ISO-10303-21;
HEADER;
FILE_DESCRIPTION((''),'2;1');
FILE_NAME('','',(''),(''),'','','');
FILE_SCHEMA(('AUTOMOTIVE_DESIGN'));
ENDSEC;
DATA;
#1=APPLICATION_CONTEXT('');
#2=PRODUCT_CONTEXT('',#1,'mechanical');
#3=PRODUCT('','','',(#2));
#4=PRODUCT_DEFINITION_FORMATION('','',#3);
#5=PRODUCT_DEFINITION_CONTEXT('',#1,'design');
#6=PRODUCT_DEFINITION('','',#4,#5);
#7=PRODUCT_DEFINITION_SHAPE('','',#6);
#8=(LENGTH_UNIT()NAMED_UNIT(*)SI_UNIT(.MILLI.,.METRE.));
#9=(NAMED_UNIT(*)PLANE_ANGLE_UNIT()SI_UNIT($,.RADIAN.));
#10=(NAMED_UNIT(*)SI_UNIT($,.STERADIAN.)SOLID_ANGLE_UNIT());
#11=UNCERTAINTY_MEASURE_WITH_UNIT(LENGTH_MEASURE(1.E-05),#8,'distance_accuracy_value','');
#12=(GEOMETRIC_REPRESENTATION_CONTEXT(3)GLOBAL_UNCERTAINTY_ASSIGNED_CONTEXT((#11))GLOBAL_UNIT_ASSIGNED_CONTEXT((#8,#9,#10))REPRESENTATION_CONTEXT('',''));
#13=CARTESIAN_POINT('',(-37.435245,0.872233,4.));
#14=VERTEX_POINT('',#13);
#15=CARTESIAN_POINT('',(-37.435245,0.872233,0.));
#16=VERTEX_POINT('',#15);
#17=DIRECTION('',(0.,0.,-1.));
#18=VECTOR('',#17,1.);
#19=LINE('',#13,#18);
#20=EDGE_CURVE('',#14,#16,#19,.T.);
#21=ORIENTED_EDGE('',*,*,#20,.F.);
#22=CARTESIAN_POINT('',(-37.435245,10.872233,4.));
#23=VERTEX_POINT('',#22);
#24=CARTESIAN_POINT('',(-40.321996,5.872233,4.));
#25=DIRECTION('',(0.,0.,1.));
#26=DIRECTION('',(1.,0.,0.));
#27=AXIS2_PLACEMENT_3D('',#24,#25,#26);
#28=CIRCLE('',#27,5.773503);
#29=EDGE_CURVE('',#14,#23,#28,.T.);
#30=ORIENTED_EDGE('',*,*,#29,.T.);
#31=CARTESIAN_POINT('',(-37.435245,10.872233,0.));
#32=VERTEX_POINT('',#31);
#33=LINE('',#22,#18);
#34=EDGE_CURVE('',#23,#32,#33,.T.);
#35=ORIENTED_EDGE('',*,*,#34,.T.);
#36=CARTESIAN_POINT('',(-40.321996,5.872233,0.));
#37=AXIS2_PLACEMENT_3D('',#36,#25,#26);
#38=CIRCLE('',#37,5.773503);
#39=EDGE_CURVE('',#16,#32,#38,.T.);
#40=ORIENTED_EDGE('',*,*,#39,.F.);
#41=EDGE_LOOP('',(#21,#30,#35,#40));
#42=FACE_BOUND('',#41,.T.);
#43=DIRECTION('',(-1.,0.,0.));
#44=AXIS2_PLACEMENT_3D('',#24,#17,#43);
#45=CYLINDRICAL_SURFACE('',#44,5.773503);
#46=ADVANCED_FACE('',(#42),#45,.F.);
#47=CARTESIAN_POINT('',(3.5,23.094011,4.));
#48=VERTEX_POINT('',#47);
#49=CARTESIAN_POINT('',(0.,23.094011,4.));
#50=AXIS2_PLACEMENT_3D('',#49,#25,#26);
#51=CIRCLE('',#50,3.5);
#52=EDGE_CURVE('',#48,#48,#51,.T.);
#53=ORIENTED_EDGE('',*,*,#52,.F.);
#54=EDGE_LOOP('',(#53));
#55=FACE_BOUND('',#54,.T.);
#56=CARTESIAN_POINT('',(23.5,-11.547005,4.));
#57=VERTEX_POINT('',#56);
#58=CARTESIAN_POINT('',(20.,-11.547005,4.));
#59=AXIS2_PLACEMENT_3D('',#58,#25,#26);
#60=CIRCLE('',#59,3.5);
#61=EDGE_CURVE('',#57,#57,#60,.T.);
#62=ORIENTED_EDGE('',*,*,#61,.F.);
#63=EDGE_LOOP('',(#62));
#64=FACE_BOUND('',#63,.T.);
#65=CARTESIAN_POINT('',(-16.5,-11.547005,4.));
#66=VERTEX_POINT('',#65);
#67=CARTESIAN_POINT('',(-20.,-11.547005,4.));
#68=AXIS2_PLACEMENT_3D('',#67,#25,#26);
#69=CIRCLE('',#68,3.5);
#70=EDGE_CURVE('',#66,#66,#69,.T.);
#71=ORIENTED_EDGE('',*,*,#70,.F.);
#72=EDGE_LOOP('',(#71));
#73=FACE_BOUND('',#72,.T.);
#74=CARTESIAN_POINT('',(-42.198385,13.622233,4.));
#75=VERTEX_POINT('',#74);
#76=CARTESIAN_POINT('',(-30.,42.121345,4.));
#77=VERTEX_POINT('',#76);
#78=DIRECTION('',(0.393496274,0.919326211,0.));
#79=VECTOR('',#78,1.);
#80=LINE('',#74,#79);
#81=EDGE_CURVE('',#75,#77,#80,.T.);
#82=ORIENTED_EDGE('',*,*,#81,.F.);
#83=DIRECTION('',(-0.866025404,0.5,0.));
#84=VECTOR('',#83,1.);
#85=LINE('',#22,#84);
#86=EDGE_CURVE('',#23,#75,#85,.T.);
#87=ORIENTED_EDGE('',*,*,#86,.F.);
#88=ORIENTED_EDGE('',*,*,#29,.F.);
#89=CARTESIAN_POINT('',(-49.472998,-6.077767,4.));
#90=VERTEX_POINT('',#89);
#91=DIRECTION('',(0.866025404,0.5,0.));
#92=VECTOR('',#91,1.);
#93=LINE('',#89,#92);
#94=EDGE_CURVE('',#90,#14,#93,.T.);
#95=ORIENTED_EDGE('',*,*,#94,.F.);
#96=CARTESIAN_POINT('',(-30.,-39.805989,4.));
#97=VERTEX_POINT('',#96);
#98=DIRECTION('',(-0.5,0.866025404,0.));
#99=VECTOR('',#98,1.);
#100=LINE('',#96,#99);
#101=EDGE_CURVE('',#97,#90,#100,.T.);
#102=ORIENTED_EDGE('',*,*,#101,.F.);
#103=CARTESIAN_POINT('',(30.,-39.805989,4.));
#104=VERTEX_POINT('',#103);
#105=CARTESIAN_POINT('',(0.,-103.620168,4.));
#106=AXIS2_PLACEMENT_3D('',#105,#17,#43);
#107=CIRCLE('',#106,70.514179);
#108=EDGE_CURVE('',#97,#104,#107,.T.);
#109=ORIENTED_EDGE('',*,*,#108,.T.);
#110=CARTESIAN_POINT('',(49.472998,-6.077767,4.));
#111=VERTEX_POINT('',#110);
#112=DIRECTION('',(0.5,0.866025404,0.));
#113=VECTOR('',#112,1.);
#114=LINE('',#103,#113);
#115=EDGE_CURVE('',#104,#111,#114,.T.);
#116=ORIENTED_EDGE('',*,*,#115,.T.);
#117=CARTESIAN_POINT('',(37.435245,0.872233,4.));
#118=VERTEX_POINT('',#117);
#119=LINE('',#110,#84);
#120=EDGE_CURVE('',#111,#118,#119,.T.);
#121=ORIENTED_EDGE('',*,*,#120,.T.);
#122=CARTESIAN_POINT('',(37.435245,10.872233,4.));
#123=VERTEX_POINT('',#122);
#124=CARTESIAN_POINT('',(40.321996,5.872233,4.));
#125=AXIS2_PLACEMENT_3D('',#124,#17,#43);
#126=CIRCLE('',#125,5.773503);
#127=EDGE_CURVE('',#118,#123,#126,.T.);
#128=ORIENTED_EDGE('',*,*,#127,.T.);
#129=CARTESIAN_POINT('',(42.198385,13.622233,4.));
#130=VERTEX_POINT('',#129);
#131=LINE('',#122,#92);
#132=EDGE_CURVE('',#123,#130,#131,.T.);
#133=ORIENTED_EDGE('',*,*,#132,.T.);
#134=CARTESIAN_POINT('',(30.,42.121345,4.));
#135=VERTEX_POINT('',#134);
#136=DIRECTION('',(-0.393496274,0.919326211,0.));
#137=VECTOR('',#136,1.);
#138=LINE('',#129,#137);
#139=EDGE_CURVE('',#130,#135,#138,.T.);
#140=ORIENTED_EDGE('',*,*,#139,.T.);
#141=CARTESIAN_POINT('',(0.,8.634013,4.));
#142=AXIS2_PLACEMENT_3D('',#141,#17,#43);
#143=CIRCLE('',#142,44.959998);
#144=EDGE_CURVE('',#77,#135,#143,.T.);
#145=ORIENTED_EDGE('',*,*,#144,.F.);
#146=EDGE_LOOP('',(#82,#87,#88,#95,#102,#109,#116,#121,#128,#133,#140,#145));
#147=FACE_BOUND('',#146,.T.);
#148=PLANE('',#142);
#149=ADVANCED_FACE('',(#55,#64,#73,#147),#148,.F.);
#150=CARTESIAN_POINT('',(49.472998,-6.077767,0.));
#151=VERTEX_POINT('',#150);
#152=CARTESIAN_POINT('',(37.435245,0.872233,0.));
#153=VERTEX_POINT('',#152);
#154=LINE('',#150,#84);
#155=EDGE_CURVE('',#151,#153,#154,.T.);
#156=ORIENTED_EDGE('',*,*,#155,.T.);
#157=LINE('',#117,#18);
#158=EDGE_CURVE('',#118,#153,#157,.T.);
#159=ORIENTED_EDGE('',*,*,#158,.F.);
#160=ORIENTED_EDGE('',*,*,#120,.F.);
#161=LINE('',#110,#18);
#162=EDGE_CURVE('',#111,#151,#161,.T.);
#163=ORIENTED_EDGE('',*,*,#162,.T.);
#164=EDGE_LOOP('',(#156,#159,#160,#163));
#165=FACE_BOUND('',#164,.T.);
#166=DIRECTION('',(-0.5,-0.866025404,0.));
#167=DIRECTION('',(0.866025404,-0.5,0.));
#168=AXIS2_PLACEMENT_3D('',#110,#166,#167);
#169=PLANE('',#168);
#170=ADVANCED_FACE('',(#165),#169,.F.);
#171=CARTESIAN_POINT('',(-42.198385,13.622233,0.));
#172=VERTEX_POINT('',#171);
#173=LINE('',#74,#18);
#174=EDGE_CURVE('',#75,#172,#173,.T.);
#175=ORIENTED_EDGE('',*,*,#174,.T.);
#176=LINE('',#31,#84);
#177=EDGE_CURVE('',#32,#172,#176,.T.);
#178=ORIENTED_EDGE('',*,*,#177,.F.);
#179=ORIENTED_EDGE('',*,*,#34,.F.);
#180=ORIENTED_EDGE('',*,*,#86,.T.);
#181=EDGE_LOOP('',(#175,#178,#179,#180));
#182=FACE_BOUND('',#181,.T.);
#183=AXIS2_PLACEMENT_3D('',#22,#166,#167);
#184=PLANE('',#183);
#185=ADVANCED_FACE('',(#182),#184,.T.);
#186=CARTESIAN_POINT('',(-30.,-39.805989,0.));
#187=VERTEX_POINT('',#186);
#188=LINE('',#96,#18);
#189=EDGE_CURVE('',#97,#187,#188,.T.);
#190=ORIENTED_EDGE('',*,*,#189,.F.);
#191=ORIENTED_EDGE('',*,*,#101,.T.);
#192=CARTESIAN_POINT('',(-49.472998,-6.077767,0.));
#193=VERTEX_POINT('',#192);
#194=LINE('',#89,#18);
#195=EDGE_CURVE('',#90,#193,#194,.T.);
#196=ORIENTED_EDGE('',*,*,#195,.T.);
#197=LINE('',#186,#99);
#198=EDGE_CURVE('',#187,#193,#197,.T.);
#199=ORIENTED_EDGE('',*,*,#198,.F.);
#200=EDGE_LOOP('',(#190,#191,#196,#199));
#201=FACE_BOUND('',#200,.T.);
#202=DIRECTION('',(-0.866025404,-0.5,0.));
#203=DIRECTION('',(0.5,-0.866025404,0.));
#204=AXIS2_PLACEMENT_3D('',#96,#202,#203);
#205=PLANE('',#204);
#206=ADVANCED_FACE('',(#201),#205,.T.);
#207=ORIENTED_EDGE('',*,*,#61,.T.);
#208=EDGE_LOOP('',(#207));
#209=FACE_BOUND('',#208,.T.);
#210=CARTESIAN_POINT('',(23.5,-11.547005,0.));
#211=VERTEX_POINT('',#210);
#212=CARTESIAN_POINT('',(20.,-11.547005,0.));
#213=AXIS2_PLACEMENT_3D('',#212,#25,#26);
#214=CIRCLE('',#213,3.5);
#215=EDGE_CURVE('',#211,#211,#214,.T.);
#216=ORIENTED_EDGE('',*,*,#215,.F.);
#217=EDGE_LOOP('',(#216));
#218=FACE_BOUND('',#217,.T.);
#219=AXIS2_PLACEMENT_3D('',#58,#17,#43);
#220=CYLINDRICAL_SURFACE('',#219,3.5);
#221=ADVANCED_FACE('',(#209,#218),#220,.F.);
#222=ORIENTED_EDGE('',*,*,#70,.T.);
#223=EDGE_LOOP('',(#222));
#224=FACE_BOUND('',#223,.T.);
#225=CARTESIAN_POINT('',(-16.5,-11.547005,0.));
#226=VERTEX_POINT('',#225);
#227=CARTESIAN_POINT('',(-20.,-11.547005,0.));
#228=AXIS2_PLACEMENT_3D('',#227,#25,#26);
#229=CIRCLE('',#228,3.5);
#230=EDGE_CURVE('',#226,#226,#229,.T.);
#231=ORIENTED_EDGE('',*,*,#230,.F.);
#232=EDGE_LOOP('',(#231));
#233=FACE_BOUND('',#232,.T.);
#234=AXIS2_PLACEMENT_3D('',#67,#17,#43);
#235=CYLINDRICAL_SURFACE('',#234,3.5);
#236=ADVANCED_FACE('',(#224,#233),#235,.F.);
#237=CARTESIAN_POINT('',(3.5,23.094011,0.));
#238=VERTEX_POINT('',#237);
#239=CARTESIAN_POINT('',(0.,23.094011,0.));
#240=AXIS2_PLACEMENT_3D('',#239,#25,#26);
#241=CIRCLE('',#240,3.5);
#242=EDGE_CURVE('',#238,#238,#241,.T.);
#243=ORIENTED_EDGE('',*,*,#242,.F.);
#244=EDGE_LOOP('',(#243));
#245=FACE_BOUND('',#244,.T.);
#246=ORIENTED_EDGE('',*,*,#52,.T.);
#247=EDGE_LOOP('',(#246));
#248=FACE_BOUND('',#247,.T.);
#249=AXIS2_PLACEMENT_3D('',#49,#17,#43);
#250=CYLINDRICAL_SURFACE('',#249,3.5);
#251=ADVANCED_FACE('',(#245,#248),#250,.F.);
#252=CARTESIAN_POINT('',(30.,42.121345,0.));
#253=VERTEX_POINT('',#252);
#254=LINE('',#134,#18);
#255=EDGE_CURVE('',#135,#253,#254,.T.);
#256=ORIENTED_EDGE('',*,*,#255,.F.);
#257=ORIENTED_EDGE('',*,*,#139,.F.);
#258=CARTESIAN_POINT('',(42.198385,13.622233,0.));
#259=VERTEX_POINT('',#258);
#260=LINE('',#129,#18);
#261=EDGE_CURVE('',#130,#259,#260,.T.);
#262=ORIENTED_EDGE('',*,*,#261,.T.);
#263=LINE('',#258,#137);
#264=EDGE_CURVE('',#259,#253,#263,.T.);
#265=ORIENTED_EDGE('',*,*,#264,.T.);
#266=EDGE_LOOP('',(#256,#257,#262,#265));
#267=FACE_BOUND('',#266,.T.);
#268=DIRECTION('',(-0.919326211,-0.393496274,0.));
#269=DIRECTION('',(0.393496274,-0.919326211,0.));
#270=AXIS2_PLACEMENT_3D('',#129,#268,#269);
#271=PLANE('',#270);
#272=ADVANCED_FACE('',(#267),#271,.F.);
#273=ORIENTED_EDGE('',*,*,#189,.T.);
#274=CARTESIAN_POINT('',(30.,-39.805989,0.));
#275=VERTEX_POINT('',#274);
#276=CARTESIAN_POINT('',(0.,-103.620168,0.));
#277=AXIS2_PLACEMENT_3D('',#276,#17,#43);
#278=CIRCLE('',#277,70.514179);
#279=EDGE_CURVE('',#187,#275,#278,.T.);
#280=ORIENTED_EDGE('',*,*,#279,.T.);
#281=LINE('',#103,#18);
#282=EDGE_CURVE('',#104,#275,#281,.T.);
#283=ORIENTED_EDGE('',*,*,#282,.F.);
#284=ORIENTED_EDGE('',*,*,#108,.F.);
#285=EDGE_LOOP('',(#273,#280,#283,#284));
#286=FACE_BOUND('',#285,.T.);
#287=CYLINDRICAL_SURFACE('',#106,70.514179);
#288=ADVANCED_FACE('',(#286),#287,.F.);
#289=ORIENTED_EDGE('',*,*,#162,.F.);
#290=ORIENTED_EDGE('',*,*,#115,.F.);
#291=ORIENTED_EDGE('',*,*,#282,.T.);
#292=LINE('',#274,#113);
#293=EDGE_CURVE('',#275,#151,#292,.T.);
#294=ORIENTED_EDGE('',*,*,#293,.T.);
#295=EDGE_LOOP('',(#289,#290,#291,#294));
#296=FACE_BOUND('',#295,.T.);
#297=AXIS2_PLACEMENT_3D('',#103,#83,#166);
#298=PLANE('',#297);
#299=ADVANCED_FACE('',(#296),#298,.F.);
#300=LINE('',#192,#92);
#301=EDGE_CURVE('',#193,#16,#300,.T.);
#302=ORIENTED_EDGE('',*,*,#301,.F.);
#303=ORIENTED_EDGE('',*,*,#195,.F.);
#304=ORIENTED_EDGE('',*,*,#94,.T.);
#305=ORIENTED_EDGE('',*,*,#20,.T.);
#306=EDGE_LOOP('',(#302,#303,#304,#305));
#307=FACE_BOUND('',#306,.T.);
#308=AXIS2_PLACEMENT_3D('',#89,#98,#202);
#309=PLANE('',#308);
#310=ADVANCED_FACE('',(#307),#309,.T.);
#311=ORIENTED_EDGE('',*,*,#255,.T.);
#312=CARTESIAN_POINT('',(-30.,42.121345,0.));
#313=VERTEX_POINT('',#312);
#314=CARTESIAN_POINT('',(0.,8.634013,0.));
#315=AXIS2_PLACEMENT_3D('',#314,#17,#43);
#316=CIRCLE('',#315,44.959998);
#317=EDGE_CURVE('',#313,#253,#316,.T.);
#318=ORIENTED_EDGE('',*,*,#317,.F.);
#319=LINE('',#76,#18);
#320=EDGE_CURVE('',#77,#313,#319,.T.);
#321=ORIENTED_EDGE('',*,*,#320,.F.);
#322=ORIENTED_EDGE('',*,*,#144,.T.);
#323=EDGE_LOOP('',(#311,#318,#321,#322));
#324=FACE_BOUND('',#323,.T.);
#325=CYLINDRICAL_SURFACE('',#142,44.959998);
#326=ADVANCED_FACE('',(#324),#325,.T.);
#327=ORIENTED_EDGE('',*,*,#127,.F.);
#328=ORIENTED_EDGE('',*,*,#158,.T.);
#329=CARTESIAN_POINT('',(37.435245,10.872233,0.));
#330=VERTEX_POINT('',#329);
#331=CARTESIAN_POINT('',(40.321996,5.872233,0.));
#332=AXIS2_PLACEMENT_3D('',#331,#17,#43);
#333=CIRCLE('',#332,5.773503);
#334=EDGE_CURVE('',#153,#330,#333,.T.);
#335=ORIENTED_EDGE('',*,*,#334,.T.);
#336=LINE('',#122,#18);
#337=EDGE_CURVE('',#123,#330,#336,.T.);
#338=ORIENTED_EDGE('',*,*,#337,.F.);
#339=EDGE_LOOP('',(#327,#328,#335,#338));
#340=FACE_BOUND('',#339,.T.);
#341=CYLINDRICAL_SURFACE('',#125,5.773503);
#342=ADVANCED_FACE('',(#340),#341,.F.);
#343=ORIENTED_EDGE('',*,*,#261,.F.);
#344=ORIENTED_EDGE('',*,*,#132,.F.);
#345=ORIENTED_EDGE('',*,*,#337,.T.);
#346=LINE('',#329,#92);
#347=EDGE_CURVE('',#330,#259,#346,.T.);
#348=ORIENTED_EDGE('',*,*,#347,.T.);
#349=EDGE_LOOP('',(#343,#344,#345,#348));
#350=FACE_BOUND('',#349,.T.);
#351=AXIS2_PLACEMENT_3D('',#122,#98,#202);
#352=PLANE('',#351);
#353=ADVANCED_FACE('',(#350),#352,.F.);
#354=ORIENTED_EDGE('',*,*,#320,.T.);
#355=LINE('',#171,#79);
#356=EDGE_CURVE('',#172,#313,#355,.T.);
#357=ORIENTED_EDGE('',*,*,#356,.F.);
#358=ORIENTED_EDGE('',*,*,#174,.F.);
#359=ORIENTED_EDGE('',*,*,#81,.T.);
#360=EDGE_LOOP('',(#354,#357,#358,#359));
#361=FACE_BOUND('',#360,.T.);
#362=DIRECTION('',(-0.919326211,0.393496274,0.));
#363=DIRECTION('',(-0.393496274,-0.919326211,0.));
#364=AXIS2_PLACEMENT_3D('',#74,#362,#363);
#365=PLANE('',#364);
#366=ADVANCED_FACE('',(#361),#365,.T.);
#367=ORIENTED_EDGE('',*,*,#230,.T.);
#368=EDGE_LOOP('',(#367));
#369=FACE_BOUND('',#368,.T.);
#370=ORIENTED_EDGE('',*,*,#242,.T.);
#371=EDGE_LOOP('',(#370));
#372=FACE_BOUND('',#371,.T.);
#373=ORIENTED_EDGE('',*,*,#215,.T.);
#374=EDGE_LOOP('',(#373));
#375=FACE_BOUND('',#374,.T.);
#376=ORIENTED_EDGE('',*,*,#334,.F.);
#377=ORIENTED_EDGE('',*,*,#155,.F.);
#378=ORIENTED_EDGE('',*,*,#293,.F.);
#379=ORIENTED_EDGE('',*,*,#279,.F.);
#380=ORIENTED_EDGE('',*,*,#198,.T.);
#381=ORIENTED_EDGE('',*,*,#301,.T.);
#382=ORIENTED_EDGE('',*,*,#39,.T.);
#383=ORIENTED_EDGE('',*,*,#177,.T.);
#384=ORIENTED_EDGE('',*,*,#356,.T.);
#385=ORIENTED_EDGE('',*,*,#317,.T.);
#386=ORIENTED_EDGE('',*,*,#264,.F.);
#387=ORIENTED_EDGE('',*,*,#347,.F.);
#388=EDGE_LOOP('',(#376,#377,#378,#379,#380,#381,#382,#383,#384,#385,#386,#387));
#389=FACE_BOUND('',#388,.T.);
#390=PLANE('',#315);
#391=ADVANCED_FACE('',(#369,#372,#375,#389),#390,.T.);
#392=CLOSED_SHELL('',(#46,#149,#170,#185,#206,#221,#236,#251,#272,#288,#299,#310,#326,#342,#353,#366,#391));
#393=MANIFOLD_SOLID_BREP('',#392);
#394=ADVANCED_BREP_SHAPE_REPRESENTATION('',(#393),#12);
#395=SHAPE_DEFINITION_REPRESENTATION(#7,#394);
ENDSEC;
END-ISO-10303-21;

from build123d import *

# Parameters (mm, degrees)
SKETCH1_R           = 3.5
BOSS_EXTRUDE1_DEPTH = 4


with BuildPart() as part:
    # Sketch1 → Boss-Extrude1 (new body)
    with BuildSketch(Plane.XY):
        with BuildLine():
            Line((-30, -39.805989232), (-49.472997898, -6.077767497))
            Line((-49.472997898, -6.077767497), (-37.435244785, 0.872232503))
            ThreePointArc((-37.435244785, 0.872232503), (-34.548493439, 5.872232503), (-37.435244785, 10.872232503))
            Line((-37.435244785, 10.872232503), (-42.198384506, 13.622232503))
            Line((-42.198384506, 13.622232503), (-30, 42.12134504))
            ThreePointArc((-30, 42.12134504), (0, 53.594010768), (30, 42.12134504))
            Line((30, 42.12134504), (42.198384506, 13.622232503))
            Line((42.198384506, 13.622232503), (37.435244785, 10.872232503))
            ThreePointArc((37.435244785, 10.872232503), (34.548493439, 5.872232503), (37.435244785, 0.872232503))
            Line((37.435244785, 0.872232503), (49.472997898, -6.077767497))
            Line((49.472997898, -6.077767497), (30, -39.805989232))
            ThreePointArc((30, -39.805989232), (0, -33.105989232), (-30, -39.805989232))
        make_face()
        with Locations((0, 23.094010768)):
            Circle(SKETCH1_R, mode=Mode.SUBTRACT)
        with Locations((-20, -11.547005384)):
            Circle(SKETCH1_R, mode=Mode.SUBTRACT)
        with Locations((20, -11.547005384)):
            Circle(SKETCH1_R, mode=Mode.SUBTRACT)
    extrude(amount=BOSS_EXTRUDE1_DEPTH)


solid = part.part
